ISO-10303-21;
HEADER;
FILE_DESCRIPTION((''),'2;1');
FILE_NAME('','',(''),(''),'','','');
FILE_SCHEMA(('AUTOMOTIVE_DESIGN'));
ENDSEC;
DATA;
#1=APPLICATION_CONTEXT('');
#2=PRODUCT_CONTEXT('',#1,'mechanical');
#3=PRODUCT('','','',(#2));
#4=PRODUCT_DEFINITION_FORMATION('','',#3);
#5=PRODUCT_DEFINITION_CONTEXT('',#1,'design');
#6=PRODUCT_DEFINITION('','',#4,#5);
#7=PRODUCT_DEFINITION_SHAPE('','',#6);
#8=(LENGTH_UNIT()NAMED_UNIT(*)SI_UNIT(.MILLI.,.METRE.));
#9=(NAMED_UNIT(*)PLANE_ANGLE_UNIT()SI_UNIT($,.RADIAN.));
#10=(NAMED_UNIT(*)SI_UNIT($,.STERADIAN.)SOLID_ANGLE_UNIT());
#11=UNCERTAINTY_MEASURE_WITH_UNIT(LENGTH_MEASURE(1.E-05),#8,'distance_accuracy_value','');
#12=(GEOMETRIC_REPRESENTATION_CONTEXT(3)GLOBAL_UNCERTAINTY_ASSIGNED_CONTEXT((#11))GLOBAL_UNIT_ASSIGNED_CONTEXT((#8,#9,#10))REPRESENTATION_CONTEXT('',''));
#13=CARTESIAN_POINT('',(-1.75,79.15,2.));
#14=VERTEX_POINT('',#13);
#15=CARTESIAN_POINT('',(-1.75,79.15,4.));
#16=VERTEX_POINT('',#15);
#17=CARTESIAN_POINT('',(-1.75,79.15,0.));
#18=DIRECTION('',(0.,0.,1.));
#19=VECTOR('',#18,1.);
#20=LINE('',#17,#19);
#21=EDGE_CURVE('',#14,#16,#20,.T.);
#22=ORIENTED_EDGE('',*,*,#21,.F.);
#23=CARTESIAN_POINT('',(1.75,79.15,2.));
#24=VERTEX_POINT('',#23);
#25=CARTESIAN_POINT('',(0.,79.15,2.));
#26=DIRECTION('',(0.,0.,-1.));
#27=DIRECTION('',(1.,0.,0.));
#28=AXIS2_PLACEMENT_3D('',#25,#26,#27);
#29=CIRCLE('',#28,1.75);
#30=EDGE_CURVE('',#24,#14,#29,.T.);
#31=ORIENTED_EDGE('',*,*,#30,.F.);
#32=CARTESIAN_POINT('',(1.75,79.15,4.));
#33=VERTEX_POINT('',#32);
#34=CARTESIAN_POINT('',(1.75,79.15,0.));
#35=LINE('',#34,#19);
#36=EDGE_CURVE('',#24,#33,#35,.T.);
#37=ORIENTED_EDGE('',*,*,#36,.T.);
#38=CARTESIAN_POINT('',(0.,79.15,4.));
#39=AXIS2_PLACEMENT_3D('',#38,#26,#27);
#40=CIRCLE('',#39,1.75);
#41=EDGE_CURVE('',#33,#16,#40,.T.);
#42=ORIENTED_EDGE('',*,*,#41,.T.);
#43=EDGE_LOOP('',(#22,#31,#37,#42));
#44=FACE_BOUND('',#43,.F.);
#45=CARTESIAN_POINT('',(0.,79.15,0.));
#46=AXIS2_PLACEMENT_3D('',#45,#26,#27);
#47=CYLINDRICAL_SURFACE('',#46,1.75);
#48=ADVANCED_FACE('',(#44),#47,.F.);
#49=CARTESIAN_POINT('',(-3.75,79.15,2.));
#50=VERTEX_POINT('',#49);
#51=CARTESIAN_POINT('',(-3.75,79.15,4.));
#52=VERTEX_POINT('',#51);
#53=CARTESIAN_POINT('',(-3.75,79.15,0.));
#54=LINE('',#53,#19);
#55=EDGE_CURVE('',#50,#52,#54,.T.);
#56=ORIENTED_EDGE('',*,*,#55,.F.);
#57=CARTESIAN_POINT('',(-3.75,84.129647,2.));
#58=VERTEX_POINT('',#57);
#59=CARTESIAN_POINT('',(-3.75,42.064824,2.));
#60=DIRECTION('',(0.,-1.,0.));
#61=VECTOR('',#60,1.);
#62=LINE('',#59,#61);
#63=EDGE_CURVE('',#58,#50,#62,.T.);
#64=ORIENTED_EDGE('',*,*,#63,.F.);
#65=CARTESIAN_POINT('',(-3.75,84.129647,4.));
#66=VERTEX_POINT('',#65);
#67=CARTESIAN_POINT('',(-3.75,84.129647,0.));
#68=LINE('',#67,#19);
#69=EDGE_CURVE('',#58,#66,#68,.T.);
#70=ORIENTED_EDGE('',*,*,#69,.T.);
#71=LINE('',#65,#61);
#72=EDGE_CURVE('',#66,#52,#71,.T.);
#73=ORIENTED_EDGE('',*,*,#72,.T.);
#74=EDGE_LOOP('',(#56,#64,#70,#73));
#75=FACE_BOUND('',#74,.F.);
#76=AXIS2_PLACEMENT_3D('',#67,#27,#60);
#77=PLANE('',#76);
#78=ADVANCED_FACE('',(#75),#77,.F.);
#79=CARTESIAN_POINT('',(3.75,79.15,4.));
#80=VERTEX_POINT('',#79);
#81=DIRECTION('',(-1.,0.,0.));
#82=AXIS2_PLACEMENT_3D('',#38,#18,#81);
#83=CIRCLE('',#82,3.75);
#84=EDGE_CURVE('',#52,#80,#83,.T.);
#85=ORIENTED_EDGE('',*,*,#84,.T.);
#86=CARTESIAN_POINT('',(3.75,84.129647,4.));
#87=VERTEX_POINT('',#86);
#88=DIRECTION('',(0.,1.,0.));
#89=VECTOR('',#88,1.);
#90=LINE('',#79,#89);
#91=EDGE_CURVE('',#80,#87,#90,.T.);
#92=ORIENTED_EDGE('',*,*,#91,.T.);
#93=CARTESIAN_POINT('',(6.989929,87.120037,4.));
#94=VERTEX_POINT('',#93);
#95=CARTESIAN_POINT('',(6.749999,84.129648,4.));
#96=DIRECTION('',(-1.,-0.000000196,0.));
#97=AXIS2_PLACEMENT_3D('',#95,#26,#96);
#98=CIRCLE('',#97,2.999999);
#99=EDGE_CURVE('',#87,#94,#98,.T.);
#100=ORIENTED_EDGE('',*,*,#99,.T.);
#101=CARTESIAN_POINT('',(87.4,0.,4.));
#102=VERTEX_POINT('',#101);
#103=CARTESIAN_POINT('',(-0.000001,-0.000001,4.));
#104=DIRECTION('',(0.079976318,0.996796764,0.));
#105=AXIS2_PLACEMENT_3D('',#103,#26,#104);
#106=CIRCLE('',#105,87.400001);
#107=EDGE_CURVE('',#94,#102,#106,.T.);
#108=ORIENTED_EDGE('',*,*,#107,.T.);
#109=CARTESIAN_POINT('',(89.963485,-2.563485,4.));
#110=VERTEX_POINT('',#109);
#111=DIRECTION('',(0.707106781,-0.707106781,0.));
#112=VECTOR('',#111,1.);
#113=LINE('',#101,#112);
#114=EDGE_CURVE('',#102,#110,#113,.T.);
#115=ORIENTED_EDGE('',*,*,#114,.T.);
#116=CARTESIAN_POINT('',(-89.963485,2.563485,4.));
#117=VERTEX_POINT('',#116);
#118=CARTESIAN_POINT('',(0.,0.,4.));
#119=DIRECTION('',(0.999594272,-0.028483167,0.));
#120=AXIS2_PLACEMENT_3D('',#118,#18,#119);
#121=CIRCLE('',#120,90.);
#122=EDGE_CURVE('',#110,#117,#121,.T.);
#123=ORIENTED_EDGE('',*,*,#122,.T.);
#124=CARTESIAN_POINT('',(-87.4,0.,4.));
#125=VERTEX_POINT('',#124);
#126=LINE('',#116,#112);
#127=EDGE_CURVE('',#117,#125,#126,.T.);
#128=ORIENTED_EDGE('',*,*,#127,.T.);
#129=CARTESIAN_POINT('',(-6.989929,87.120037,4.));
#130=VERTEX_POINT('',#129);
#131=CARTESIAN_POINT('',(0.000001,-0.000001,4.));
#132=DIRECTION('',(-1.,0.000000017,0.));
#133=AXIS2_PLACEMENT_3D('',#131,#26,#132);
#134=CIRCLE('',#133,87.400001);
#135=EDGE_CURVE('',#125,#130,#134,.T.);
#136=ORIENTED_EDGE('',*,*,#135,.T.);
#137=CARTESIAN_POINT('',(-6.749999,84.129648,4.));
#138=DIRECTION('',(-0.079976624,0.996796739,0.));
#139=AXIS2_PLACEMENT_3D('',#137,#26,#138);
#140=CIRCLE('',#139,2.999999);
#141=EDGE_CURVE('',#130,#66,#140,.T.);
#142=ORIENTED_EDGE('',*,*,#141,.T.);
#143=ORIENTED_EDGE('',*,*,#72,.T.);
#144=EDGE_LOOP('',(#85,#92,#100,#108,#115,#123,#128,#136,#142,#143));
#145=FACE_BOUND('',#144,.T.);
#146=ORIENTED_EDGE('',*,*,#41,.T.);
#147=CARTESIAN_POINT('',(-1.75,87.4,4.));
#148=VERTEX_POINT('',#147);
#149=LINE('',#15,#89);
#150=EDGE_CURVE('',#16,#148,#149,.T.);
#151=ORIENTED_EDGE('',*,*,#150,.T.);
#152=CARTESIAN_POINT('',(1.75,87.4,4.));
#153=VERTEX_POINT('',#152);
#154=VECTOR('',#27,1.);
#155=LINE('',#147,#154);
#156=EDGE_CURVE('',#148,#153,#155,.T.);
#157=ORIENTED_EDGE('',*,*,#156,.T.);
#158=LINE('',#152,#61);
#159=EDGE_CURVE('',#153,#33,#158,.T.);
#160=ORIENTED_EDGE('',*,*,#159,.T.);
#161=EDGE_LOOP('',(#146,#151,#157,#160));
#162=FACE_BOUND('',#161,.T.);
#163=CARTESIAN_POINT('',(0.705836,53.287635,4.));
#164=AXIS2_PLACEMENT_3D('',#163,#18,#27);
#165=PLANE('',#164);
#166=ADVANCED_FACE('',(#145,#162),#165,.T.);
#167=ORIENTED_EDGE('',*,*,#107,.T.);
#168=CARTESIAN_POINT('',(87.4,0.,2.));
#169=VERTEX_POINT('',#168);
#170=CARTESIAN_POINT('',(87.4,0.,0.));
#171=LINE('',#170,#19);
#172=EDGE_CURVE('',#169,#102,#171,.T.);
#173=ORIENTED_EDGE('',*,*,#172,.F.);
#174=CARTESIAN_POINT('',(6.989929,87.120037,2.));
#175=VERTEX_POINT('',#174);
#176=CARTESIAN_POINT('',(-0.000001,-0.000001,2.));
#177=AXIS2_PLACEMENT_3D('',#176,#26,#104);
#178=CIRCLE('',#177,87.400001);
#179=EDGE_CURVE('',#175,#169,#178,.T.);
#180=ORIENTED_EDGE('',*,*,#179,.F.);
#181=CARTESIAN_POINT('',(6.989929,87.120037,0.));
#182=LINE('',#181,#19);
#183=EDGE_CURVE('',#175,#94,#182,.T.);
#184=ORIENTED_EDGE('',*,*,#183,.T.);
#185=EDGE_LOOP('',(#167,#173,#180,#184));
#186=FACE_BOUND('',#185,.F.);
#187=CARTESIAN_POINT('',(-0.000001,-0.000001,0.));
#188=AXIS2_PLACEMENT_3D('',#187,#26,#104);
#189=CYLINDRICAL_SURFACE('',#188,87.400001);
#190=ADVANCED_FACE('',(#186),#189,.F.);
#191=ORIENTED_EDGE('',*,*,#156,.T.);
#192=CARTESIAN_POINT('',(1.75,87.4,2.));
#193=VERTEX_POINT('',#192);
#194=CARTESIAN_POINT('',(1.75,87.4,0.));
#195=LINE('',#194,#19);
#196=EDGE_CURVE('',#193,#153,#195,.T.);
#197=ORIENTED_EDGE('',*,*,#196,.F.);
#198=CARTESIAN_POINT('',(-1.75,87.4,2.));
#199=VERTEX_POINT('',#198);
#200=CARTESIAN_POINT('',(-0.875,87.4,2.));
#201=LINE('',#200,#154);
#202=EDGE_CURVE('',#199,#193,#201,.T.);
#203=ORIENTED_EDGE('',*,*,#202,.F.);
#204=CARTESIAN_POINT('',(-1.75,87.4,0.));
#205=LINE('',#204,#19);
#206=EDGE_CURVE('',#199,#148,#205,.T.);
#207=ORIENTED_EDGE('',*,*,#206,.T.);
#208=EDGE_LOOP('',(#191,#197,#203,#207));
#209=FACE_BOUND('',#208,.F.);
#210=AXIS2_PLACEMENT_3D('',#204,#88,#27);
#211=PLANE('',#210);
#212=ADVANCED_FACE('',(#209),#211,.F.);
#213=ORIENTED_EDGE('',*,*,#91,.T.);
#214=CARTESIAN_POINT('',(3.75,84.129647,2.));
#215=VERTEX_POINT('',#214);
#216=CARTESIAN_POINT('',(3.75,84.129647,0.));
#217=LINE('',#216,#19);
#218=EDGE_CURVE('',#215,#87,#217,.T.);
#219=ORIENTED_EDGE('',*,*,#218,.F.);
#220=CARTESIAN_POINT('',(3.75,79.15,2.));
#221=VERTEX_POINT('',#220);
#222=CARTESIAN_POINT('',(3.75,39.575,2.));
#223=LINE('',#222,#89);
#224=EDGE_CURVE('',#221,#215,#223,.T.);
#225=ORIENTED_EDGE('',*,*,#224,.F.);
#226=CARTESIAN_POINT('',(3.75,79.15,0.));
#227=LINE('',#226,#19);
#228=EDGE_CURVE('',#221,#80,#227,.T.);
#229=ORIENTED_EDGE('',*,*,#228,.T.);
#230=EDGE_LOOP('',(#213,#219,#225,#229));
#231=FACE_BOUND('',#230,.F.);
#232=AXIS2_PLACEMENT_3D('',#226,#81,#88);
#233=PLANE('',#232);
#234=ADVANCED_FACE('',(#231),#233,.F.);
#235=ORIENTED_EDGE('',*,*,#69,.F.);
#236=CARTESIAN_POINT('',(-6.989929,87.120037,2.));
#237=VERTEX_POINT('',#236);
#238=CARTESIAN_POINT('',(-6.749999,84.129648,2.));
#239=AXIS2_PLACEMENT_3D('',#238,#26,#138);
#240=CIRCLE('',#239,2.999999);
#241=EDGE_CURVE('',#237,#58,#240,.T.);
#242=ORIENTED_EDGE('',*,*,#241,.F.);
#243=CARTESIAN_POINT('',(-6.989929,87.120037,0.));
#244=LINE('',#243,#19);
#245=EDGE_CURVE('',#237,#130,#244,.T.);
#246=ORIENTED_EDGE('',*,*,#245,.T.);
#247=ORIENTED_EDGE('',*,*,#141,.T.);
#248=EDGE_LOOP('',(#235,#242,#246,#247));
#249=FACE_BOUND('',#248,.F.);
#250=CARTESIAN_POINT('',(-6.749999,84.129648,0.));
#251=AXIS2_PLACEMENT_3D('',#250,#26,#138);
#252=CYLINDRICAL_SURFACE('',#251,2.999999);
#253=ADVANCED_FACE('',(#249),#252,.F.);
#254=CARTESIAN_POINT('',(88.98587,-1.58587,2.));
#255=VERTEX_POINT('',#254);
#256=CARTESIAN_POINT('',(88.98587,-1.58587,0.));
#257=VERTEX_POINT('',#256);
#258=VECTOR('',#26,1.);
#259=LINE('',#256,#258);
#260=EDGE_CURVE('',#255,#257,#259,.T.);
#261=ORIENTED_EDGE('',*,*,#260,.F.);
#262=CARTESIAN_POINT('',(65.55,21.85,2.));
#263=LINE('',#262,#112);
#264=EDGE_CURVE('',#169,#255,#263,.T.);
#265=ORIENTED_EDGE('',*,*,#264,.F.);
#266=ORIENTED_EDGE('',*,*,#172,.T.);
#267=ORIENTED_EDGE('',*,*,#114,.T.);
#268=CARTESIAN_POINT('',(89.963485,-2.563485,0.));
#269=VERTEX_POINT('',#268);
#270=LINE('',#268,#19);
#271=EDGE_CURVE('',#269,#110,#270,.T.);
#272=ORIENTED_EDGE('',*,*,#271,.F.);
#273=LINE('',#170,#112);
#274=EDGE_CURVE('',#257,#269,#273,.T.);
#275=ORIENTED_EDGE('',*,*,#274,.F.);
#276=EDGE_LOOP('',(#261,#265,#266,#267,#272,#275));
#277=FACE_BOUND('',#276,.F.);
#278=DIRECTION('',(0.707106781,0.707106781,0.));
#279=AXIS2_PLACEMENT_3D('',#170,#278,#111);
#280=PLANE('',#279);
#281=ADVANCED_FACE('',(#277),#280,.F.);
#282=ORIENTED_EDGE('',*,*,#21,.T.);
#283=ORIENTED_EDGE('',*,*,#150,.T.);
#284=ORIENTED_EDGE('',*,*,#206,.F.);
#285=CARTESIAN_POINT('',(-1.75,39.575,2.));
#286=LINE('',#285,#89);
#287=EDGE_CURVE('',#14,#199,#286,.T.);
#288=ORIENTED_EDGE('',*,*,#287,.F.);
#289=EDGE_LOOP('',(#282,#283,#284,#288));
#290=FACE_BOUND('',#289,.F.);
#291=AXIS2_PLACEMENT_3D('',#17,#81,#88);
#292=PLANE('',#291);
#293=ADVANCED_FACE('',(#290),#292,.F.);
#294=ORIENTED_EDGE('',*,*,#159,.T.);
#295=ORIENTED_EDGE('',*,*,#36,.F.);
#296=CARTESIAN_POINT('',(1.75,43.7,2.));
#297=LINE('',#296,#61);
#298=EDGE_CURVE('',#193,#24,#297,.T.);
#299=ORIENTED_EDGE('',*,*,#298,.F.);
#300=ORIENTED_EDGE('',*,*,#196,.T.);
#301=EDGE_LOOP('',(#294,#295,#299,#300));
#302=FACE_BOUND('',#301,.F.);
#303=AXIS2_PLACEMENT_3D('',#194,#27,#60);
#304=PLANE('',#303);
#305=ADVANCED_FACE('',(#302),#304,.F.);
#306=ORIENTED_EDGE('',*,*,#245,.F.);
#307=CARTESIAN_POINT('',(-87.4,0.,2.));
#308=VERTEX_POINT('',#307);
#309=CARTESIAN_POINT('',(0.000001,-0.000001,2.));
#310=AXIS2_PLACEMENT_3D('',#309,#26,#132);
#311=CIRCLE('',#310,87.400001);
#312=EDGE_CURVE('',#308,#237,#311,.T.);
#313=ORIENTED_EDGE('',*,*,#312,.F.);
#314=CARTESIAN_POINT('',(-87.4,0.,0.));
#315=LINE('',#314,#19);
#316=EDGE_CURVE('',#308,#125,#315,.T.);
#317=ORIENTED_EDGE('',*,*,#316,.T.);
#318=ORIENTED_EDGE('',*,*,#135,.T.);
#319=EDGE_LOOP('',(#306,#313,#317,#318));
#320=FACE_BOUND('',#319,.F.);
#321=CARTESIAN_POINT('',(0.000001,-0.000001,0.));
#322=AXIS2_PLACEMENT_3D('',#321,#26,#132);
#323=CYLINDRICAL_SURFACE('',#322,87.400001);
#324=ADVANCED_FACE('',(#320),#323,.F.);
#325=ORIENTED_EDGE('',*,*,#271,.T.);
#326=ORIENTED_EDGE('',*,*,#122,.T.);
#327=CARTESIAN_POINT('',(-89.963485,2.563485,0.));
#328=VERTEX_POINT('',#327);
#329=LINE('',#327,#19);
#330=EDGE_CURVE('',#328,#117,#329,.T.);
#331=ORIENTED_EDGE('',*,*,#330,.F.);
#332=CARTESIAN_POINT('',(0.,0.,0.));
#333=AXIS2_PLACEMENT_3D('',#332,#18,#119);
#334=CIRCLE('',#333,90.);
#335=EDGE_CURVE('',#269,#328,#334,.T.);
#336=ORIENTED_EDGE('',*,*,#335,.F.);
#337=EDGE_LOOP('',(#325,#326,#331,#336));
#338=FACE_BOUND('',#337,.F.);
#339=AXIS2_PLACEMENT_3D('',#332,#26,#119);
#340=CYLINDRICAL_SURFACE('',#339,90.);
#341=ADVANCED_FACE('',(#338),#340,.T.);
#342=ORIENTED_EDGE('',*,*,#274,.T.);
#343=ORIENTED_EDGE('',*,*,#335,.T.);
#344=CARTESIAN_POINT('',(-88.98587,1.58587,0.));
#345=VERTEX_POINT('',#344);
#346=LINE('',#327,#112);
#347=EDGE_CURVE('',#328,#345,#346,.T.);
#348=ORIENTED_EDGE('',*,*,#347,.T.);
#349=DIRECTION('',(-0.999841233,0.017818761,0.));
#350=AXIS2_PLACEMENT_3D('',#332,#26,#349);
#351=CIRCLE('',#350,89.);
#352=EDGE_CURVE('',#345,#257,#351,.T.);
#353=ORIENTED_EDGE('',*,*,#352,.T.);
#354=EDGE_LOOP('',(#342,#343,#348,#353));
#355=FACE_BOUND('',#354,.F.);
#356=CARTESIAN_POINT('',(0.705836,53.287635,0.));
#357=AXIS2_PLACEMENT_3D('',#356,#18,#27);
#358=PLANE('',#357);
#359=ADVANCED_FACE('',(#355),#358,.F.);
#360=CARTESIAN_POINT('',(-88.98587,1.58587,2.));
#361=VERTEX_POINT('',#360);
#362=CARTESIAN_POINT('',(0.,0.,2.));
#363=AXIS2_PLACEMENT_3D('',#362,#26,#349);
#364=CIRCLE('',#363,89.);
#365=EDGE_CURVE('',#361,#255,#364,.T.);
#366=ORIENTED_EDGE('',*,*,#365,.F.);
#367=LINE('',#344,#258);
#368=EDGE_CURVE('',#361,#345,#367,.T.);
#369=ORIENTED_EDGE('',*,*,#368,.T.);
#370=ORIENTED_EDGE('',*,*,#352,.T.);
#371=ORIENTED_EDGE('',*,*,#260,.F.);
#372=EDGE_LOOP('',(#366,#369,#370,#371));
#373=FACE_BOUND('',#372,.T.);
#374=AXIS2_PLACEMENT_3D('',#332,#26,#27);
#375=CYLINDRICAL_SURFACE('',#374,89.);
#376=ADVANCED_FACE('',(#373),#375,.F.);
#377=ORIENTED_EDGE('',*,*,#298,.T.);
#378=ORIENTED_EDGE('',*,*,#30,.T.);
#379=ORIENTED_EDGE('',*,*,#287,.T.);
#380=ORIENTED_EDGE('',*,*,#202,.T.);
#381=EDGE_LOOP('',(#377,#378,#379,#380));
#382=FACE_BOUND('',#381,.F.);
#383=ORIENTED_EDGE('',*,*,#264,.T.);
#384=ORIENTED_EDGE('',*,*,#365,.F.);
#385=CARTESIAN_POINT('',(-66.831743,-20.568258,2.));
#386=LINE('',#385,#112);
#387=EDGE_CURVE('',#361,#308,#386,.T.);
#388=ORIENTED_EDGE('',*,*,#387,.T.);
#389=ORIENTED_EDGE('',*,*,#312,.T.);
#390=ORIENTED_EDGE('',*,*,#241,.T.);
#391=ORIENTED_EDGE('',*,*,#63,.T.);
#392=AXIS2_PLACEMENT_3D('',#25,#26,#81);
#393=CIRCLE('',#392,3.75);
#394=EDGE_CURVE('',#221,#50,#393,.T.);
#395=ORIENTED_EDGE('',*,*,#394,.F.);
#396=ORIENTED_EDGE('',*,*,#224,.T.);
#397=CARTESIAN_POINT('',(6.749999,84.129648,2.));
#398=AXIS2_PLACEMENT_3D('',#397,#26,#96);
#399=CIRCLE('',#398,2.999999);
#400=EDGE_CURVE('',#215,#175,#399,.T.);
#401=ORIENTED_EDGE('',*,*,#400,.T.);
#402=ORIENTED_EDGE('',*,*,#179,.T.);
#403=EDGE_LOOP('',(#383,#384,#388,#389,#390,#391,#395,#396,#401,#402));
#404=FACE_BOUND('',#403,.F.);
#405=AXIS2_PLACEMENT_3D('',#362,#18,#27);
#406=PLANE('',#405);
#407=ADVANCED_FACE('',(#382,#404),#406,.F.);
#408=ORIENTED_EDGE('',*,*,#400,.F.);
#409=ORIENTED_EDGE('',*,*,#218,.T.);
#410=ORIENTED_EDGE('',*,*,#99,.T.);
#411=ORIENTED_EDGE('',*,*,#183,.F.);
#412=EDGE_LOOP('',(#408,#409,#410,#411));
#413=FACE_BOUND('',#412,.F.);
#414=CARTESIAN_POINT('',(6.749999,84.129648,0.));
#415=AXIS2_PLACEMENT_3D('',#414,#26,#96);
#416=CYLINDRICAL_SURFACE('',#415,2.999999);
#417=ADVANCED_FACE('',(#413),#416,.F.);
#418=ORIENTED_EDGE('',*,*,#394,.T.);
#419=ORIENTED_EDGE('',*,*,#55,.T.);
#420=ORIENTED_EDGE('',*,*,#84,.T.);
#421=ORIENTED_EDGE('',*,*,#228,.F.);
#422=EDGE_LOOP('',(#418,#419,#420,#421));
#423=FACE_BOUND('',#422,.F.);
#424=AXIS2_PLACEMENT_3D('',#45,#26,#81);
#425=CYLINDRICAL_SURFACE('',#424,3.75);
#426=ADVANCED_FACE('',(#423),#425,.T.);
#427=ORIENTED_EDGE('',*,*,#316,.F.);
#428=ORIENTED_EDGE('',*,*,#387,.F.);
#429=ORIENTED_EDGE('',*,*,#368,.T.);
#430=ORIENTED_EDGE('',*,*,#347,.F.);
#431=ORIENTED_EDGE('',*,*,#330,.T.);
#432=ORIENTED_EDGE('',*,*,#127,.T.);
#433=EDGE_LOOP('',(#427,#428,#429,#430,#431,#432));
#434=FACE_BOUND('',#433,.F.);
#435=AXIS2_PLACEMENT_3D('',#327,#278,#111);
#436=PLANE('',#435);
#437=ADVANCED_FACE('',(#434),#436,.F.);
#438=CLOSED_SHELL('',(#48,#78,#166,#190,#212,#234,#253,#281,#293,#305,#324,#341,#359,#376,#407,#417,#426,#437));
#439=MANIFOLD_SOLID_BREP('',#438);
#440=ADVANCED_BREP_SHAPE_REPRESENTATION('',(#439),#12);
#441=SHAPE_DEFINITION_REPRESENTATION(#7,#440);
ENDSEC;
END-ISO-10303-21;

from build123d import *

# Parameters (mm, degrees)
F1_DEPTH = 4
F2_R     = 89
F3_DEPTH = 2


with BuildPart() as f1:
    # F0 (on Top) → F1 (new body)
    with BuildSketch(Plane.XY):
        with BuildLine():
            Line((87.4, 0), (89.963485, -2.563485))
            ThreePointArc((89.963485, -2.563485), (2.563485, 89.963485), (-89.963485, 2.563485))
            Line((-89.963485, 2.563485), (-87.4, 0))
            ThreePointArc((-87.4, 0), (-64.224916, 59.278327), (-6.989929, 87.120037))
            ThreePointArc((-6.989929, 87.120037), (-4.715275, 86.334164), (-3.75, 84.129647))
            Line((-3.75, 84.129647), (-3.75, 79.15))
            ThreePointArc((-3.75, 79.15), (0, 75.4), (3.75, 79.15))
            Line((3.75, 79.15), (3.75, 84.129647))
            ThreePointArc((3.75, 84.129647), (4.715275, 86.334164), (6.989929, 87.120037))
            ThreePointArc((6.989929, 87.120037), (64.224916, 59.278327), (87.4, 0))
        make_face()
        with BuildLine():
            ThreePointArc((1.75, 79.15), (0, 77.4), (-1.75, 79.15))
            Line((-1.75, 79.15), (-1.75, 87.4))
            Line((-1.75, 87.4), (1.75, 87.4))
            Line((1.75, 87.4), (1.75, 79.15))
        make_face(mode=Mode.SUBTRACT)
    extrude(amount=F1_DEPTH)

    # F2 (on Top) → F3 (cut)
    with BuildSketch(Plane.XY):
        Circle(F2_R)
    extrude(amount=F3_DEPTH, mode=Mode.SUBTRACT)


solid = f1.part
